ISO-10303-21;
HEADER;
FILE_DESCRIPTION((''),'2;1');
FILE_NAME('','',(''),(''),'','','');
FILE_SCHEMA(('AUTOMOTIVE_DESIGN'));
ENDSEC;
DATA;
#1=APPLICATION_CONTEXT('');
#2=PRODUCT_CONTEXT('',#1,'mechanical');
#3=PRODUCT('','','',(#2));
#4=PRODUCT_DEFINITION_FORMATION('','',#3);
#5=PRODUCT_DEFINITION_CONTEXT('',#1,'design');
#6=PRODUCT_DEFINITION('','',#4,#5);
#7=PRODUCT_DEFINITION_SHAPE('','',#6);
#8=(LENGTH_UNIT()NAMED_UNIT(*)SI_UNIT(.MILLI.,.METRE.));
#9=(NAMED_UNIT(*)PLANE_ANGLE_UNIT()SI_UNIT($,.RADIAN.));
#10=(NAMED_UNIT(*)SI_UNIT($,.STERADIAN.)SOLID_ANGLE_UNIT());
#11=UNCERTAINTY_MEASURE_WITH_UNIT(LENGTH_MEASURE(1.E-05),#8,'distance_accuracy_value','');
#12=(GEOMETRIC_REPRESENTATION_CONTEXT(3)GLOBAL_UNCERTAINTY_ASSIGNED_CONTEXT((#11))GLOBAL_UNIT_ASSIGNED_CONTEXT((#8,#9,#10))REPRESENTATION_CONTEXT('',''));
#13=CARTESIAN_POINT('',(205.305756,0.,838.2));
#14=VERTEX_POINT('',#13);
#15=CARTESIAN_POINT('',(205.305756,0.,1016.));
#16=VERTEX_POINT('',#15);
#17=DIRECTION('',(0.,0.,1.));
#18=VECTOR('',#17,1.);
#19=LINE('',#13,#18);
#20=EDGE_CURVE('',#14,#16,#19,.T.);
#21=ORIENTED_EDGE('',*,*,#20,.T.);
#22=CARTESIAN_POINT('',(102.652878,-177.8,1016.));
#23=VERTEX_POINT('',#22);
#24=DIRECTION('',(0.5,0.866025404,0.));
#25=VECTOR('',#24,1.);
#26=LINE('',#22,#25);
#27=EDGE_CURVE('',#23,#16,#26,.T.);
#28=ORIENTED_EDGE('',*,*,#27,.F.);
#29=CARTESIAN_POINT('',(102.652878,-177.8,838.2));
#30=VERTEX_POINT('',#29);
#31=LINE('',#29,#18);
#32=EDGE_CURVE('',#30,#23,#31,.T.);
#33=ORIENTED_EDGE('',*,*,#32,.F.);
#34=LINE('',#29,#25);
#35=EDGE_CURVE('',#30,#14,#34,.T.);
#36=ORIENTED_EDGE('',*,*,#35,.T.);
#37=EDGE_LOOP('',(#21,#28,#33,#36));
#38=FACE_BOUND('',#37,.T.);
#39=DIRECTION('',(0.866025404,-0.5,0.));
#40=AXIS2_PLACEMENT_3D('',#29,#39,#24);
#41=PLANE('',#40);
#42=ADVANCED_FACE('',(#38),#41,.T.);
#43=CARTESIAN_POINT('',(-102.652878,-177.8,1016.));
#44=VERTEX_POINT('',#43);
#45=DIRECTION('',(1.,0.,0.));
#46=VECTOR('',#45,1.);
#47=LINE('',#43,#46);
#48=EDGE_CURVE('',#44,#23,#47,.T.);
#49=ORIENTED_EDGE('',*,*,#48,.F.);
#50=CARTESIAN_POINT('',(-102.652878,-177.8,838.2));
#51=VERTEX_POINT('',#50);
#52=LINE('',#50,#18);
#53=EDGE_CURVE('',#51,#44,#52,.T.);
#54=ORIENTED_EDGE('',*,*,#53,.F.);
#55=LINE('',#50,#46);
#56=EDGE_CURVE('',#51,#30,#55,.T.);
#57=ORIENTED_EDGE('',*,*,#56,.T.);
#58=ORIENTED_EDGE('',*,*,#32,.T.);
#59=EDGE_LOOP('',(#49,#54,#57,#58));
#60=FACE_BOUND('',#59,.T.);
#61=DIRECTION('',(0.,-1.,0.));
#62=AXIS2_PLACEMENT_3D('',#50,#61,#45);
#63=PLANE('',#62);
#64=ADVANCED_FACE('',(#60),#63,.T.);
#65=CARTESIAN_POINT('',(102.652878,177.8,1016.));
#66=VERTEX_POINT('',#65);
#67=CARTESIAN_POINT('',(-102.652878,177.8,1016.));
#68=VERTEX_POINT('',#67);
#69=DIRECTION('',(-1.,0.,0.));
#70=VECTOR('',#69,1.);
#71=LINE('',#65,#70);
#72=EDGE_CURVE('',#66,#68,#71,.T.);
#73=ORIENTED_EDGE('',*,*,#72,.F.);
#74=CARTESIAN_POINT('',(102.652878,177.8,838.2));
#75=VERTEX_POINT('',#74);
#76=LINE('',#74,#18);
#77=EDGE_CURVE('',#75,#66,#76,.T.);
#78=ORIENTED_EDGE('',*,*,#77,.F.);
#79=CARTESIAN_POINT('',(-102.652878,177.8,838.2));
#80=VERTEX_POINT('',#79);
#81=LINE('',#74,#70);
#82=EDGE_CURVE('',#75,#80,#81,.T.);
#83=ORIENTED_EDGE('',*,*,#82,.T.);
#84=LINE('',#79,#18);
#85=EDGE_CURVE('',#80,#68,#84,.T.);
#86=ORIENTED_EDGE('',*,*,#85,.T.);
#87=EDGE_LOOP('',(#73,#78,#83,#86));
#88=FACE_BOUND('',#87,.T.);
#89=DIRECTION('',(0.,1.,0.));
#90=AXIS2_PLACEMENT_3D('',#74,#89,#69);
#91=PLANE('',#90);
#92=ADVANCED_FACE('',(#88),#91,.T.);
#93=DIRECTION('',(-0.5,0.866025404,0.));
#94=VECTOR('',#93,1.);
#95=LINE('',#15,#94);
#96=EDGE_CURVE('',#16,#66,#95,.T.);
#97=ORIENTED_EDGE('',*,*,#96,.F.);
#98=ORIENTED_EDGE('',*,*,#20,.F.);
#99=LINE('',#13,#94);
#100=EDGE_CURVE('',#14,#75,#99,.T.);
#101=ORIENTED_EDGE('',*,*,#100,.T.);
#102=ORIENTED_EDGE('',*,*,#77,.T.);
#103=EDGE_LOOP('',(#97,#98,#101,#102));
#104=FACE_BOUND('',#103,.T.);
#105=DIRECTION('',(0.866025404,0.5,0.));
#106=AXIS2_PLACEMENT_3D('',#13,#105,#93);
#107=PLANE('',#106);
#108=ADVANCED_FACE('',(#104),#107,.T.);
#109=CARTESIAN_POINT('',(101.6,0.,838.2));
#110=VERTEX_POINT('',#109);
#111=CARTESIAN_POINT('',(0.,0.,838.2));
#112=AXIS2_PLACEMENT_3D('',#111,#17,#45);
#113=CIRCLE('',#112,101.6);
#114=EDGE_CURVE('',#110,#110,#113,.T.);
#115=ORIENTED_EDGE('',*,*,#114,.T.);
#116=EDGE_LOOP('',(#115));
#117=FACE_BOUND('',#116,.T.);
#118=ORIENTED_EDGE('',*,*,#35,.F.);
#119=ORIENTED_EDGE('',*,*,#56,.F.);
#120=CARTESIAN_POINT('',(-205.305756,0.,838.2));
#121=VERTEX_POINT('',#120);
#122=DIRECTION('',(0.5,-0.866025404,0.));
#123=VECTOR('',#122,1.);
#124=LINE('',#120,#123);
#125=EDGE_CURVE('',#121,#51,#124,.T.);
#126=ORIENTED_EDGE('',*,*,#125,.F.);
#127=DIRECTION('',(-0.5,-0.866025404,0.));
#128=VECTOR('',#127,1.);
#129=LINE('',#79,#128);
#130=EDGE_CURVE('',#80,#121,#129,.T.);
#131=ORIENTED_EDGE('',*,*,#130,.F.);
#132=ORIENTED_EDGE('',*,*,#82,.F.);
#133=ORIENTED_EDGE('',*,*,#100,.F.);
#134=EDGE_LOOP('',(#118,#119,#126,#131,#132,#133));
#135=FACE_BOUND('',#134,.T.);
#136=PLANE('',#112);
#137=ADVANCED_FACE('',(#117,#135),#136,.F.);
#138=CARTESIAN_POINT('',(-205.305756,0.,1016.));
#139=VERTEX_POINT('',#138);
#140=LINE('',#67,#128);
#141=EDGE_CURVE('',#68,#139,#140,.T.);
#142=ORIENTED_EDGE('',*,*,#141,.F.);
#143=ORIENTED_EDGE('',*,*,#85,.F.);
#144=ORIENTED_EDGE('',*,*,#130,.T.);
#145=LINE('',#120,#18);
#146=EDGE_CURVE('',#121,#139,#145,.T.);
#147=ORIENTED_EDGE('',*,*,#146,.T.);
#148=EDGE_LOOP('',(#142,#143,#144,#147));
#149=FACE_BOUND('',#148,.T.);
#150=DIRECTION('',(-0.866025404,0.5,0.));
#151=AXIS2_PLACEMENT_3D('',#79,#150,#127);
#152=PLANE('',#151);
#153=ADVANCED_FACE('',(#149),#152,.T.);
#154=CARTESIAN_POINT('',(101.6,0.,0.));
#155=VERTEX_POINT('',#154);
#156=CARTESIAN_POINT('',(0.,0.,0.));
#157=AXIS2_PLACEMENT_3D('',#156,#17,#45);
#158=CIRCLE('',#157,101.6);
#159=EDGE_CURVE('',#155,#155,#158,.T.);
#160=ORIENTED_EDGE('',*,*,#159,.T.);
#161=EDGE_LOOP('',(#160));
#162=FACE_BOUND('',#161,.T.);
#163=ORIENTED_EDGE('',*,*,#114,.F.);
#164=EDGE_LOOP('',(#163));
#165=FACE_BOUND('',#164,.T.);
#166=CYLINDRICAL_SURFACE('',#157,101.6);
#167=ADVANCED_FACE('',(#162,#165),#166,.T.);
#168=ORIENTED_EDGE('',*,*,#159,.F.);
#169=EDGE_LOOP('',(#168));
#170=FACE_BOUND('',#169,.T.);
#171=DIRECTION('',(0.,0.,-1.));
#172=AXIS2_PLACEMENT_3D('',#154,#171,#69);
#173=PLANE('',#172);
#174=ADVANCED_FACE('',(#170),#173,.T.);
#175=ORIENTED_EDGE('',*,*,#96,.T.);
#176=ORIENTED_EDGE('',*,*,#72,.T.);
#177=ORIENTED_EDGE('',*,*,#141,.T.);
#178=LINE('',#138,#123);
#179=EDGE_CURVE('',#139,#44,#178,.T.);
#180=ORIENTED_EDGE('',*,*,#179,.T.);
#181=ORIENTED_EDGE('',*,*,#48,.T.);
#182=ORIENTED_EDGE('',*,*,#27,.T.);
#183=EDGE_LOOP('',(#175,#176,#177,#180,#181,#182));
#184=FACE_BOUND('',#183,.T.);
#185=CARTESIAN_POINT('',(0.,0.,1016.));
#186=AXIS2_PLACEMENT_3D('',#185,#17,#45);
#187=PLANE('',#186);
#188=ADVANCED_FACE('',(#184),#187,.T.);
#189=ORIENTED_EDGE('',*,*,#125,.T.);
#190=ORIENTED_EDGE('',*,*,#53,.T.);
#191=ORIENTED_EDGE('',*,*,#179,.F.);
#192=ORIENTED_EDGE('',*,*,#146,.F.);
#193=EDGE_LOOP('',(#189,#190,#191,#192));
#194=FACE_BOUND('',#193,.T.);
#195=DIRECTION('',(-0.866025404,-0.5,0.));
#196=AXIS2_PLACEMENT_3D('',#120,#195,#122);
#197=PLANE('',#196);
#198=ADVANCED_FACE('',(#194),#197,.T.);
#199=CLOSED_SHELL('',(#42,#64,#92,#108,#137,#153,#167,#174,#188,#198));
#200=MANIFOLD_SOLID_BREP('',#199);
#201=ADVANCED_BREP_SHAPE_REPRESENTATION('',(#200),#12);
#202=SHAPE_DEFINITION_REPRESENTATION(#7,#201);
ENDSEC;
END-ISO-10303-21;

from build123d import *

# Parameters (mm, degrees)
BOSS_EXTRUDE1_DEPTH = 177.8
SKETCH2_W           = 101.6
SKETCH2_H           = 838.2


with BuildPart() as part:
    # Sketch1 → Boss-Extrude1 (new body)
    with BuildSketch(Plane.XY.offset(1016)):
        Polygon((-102.652877862, -177.8), (102.652877862, -177.8), (205.305755724, 0), (102.652877862, 177.8), (-102.652877862, 177.8), (-205.305755724, 0), align=None)
    extrude(amount=-BOSS_EXTRUDE1_DEPTH)

    # Sketch2 → Revolve1 (revolve)
    with BuildSketch(Plane(origin=(0, 0, 0), x_dir=(1, 0, 0), z_dir=(0, 1, 0))):
        with Locations((50.8, -419.1)):
            Rectangle(SKETCH2_W, SKETCH2_H)
    revolve(axis=Axis((0, 0, 0), (0, 0, 1)))


solid = part.part
